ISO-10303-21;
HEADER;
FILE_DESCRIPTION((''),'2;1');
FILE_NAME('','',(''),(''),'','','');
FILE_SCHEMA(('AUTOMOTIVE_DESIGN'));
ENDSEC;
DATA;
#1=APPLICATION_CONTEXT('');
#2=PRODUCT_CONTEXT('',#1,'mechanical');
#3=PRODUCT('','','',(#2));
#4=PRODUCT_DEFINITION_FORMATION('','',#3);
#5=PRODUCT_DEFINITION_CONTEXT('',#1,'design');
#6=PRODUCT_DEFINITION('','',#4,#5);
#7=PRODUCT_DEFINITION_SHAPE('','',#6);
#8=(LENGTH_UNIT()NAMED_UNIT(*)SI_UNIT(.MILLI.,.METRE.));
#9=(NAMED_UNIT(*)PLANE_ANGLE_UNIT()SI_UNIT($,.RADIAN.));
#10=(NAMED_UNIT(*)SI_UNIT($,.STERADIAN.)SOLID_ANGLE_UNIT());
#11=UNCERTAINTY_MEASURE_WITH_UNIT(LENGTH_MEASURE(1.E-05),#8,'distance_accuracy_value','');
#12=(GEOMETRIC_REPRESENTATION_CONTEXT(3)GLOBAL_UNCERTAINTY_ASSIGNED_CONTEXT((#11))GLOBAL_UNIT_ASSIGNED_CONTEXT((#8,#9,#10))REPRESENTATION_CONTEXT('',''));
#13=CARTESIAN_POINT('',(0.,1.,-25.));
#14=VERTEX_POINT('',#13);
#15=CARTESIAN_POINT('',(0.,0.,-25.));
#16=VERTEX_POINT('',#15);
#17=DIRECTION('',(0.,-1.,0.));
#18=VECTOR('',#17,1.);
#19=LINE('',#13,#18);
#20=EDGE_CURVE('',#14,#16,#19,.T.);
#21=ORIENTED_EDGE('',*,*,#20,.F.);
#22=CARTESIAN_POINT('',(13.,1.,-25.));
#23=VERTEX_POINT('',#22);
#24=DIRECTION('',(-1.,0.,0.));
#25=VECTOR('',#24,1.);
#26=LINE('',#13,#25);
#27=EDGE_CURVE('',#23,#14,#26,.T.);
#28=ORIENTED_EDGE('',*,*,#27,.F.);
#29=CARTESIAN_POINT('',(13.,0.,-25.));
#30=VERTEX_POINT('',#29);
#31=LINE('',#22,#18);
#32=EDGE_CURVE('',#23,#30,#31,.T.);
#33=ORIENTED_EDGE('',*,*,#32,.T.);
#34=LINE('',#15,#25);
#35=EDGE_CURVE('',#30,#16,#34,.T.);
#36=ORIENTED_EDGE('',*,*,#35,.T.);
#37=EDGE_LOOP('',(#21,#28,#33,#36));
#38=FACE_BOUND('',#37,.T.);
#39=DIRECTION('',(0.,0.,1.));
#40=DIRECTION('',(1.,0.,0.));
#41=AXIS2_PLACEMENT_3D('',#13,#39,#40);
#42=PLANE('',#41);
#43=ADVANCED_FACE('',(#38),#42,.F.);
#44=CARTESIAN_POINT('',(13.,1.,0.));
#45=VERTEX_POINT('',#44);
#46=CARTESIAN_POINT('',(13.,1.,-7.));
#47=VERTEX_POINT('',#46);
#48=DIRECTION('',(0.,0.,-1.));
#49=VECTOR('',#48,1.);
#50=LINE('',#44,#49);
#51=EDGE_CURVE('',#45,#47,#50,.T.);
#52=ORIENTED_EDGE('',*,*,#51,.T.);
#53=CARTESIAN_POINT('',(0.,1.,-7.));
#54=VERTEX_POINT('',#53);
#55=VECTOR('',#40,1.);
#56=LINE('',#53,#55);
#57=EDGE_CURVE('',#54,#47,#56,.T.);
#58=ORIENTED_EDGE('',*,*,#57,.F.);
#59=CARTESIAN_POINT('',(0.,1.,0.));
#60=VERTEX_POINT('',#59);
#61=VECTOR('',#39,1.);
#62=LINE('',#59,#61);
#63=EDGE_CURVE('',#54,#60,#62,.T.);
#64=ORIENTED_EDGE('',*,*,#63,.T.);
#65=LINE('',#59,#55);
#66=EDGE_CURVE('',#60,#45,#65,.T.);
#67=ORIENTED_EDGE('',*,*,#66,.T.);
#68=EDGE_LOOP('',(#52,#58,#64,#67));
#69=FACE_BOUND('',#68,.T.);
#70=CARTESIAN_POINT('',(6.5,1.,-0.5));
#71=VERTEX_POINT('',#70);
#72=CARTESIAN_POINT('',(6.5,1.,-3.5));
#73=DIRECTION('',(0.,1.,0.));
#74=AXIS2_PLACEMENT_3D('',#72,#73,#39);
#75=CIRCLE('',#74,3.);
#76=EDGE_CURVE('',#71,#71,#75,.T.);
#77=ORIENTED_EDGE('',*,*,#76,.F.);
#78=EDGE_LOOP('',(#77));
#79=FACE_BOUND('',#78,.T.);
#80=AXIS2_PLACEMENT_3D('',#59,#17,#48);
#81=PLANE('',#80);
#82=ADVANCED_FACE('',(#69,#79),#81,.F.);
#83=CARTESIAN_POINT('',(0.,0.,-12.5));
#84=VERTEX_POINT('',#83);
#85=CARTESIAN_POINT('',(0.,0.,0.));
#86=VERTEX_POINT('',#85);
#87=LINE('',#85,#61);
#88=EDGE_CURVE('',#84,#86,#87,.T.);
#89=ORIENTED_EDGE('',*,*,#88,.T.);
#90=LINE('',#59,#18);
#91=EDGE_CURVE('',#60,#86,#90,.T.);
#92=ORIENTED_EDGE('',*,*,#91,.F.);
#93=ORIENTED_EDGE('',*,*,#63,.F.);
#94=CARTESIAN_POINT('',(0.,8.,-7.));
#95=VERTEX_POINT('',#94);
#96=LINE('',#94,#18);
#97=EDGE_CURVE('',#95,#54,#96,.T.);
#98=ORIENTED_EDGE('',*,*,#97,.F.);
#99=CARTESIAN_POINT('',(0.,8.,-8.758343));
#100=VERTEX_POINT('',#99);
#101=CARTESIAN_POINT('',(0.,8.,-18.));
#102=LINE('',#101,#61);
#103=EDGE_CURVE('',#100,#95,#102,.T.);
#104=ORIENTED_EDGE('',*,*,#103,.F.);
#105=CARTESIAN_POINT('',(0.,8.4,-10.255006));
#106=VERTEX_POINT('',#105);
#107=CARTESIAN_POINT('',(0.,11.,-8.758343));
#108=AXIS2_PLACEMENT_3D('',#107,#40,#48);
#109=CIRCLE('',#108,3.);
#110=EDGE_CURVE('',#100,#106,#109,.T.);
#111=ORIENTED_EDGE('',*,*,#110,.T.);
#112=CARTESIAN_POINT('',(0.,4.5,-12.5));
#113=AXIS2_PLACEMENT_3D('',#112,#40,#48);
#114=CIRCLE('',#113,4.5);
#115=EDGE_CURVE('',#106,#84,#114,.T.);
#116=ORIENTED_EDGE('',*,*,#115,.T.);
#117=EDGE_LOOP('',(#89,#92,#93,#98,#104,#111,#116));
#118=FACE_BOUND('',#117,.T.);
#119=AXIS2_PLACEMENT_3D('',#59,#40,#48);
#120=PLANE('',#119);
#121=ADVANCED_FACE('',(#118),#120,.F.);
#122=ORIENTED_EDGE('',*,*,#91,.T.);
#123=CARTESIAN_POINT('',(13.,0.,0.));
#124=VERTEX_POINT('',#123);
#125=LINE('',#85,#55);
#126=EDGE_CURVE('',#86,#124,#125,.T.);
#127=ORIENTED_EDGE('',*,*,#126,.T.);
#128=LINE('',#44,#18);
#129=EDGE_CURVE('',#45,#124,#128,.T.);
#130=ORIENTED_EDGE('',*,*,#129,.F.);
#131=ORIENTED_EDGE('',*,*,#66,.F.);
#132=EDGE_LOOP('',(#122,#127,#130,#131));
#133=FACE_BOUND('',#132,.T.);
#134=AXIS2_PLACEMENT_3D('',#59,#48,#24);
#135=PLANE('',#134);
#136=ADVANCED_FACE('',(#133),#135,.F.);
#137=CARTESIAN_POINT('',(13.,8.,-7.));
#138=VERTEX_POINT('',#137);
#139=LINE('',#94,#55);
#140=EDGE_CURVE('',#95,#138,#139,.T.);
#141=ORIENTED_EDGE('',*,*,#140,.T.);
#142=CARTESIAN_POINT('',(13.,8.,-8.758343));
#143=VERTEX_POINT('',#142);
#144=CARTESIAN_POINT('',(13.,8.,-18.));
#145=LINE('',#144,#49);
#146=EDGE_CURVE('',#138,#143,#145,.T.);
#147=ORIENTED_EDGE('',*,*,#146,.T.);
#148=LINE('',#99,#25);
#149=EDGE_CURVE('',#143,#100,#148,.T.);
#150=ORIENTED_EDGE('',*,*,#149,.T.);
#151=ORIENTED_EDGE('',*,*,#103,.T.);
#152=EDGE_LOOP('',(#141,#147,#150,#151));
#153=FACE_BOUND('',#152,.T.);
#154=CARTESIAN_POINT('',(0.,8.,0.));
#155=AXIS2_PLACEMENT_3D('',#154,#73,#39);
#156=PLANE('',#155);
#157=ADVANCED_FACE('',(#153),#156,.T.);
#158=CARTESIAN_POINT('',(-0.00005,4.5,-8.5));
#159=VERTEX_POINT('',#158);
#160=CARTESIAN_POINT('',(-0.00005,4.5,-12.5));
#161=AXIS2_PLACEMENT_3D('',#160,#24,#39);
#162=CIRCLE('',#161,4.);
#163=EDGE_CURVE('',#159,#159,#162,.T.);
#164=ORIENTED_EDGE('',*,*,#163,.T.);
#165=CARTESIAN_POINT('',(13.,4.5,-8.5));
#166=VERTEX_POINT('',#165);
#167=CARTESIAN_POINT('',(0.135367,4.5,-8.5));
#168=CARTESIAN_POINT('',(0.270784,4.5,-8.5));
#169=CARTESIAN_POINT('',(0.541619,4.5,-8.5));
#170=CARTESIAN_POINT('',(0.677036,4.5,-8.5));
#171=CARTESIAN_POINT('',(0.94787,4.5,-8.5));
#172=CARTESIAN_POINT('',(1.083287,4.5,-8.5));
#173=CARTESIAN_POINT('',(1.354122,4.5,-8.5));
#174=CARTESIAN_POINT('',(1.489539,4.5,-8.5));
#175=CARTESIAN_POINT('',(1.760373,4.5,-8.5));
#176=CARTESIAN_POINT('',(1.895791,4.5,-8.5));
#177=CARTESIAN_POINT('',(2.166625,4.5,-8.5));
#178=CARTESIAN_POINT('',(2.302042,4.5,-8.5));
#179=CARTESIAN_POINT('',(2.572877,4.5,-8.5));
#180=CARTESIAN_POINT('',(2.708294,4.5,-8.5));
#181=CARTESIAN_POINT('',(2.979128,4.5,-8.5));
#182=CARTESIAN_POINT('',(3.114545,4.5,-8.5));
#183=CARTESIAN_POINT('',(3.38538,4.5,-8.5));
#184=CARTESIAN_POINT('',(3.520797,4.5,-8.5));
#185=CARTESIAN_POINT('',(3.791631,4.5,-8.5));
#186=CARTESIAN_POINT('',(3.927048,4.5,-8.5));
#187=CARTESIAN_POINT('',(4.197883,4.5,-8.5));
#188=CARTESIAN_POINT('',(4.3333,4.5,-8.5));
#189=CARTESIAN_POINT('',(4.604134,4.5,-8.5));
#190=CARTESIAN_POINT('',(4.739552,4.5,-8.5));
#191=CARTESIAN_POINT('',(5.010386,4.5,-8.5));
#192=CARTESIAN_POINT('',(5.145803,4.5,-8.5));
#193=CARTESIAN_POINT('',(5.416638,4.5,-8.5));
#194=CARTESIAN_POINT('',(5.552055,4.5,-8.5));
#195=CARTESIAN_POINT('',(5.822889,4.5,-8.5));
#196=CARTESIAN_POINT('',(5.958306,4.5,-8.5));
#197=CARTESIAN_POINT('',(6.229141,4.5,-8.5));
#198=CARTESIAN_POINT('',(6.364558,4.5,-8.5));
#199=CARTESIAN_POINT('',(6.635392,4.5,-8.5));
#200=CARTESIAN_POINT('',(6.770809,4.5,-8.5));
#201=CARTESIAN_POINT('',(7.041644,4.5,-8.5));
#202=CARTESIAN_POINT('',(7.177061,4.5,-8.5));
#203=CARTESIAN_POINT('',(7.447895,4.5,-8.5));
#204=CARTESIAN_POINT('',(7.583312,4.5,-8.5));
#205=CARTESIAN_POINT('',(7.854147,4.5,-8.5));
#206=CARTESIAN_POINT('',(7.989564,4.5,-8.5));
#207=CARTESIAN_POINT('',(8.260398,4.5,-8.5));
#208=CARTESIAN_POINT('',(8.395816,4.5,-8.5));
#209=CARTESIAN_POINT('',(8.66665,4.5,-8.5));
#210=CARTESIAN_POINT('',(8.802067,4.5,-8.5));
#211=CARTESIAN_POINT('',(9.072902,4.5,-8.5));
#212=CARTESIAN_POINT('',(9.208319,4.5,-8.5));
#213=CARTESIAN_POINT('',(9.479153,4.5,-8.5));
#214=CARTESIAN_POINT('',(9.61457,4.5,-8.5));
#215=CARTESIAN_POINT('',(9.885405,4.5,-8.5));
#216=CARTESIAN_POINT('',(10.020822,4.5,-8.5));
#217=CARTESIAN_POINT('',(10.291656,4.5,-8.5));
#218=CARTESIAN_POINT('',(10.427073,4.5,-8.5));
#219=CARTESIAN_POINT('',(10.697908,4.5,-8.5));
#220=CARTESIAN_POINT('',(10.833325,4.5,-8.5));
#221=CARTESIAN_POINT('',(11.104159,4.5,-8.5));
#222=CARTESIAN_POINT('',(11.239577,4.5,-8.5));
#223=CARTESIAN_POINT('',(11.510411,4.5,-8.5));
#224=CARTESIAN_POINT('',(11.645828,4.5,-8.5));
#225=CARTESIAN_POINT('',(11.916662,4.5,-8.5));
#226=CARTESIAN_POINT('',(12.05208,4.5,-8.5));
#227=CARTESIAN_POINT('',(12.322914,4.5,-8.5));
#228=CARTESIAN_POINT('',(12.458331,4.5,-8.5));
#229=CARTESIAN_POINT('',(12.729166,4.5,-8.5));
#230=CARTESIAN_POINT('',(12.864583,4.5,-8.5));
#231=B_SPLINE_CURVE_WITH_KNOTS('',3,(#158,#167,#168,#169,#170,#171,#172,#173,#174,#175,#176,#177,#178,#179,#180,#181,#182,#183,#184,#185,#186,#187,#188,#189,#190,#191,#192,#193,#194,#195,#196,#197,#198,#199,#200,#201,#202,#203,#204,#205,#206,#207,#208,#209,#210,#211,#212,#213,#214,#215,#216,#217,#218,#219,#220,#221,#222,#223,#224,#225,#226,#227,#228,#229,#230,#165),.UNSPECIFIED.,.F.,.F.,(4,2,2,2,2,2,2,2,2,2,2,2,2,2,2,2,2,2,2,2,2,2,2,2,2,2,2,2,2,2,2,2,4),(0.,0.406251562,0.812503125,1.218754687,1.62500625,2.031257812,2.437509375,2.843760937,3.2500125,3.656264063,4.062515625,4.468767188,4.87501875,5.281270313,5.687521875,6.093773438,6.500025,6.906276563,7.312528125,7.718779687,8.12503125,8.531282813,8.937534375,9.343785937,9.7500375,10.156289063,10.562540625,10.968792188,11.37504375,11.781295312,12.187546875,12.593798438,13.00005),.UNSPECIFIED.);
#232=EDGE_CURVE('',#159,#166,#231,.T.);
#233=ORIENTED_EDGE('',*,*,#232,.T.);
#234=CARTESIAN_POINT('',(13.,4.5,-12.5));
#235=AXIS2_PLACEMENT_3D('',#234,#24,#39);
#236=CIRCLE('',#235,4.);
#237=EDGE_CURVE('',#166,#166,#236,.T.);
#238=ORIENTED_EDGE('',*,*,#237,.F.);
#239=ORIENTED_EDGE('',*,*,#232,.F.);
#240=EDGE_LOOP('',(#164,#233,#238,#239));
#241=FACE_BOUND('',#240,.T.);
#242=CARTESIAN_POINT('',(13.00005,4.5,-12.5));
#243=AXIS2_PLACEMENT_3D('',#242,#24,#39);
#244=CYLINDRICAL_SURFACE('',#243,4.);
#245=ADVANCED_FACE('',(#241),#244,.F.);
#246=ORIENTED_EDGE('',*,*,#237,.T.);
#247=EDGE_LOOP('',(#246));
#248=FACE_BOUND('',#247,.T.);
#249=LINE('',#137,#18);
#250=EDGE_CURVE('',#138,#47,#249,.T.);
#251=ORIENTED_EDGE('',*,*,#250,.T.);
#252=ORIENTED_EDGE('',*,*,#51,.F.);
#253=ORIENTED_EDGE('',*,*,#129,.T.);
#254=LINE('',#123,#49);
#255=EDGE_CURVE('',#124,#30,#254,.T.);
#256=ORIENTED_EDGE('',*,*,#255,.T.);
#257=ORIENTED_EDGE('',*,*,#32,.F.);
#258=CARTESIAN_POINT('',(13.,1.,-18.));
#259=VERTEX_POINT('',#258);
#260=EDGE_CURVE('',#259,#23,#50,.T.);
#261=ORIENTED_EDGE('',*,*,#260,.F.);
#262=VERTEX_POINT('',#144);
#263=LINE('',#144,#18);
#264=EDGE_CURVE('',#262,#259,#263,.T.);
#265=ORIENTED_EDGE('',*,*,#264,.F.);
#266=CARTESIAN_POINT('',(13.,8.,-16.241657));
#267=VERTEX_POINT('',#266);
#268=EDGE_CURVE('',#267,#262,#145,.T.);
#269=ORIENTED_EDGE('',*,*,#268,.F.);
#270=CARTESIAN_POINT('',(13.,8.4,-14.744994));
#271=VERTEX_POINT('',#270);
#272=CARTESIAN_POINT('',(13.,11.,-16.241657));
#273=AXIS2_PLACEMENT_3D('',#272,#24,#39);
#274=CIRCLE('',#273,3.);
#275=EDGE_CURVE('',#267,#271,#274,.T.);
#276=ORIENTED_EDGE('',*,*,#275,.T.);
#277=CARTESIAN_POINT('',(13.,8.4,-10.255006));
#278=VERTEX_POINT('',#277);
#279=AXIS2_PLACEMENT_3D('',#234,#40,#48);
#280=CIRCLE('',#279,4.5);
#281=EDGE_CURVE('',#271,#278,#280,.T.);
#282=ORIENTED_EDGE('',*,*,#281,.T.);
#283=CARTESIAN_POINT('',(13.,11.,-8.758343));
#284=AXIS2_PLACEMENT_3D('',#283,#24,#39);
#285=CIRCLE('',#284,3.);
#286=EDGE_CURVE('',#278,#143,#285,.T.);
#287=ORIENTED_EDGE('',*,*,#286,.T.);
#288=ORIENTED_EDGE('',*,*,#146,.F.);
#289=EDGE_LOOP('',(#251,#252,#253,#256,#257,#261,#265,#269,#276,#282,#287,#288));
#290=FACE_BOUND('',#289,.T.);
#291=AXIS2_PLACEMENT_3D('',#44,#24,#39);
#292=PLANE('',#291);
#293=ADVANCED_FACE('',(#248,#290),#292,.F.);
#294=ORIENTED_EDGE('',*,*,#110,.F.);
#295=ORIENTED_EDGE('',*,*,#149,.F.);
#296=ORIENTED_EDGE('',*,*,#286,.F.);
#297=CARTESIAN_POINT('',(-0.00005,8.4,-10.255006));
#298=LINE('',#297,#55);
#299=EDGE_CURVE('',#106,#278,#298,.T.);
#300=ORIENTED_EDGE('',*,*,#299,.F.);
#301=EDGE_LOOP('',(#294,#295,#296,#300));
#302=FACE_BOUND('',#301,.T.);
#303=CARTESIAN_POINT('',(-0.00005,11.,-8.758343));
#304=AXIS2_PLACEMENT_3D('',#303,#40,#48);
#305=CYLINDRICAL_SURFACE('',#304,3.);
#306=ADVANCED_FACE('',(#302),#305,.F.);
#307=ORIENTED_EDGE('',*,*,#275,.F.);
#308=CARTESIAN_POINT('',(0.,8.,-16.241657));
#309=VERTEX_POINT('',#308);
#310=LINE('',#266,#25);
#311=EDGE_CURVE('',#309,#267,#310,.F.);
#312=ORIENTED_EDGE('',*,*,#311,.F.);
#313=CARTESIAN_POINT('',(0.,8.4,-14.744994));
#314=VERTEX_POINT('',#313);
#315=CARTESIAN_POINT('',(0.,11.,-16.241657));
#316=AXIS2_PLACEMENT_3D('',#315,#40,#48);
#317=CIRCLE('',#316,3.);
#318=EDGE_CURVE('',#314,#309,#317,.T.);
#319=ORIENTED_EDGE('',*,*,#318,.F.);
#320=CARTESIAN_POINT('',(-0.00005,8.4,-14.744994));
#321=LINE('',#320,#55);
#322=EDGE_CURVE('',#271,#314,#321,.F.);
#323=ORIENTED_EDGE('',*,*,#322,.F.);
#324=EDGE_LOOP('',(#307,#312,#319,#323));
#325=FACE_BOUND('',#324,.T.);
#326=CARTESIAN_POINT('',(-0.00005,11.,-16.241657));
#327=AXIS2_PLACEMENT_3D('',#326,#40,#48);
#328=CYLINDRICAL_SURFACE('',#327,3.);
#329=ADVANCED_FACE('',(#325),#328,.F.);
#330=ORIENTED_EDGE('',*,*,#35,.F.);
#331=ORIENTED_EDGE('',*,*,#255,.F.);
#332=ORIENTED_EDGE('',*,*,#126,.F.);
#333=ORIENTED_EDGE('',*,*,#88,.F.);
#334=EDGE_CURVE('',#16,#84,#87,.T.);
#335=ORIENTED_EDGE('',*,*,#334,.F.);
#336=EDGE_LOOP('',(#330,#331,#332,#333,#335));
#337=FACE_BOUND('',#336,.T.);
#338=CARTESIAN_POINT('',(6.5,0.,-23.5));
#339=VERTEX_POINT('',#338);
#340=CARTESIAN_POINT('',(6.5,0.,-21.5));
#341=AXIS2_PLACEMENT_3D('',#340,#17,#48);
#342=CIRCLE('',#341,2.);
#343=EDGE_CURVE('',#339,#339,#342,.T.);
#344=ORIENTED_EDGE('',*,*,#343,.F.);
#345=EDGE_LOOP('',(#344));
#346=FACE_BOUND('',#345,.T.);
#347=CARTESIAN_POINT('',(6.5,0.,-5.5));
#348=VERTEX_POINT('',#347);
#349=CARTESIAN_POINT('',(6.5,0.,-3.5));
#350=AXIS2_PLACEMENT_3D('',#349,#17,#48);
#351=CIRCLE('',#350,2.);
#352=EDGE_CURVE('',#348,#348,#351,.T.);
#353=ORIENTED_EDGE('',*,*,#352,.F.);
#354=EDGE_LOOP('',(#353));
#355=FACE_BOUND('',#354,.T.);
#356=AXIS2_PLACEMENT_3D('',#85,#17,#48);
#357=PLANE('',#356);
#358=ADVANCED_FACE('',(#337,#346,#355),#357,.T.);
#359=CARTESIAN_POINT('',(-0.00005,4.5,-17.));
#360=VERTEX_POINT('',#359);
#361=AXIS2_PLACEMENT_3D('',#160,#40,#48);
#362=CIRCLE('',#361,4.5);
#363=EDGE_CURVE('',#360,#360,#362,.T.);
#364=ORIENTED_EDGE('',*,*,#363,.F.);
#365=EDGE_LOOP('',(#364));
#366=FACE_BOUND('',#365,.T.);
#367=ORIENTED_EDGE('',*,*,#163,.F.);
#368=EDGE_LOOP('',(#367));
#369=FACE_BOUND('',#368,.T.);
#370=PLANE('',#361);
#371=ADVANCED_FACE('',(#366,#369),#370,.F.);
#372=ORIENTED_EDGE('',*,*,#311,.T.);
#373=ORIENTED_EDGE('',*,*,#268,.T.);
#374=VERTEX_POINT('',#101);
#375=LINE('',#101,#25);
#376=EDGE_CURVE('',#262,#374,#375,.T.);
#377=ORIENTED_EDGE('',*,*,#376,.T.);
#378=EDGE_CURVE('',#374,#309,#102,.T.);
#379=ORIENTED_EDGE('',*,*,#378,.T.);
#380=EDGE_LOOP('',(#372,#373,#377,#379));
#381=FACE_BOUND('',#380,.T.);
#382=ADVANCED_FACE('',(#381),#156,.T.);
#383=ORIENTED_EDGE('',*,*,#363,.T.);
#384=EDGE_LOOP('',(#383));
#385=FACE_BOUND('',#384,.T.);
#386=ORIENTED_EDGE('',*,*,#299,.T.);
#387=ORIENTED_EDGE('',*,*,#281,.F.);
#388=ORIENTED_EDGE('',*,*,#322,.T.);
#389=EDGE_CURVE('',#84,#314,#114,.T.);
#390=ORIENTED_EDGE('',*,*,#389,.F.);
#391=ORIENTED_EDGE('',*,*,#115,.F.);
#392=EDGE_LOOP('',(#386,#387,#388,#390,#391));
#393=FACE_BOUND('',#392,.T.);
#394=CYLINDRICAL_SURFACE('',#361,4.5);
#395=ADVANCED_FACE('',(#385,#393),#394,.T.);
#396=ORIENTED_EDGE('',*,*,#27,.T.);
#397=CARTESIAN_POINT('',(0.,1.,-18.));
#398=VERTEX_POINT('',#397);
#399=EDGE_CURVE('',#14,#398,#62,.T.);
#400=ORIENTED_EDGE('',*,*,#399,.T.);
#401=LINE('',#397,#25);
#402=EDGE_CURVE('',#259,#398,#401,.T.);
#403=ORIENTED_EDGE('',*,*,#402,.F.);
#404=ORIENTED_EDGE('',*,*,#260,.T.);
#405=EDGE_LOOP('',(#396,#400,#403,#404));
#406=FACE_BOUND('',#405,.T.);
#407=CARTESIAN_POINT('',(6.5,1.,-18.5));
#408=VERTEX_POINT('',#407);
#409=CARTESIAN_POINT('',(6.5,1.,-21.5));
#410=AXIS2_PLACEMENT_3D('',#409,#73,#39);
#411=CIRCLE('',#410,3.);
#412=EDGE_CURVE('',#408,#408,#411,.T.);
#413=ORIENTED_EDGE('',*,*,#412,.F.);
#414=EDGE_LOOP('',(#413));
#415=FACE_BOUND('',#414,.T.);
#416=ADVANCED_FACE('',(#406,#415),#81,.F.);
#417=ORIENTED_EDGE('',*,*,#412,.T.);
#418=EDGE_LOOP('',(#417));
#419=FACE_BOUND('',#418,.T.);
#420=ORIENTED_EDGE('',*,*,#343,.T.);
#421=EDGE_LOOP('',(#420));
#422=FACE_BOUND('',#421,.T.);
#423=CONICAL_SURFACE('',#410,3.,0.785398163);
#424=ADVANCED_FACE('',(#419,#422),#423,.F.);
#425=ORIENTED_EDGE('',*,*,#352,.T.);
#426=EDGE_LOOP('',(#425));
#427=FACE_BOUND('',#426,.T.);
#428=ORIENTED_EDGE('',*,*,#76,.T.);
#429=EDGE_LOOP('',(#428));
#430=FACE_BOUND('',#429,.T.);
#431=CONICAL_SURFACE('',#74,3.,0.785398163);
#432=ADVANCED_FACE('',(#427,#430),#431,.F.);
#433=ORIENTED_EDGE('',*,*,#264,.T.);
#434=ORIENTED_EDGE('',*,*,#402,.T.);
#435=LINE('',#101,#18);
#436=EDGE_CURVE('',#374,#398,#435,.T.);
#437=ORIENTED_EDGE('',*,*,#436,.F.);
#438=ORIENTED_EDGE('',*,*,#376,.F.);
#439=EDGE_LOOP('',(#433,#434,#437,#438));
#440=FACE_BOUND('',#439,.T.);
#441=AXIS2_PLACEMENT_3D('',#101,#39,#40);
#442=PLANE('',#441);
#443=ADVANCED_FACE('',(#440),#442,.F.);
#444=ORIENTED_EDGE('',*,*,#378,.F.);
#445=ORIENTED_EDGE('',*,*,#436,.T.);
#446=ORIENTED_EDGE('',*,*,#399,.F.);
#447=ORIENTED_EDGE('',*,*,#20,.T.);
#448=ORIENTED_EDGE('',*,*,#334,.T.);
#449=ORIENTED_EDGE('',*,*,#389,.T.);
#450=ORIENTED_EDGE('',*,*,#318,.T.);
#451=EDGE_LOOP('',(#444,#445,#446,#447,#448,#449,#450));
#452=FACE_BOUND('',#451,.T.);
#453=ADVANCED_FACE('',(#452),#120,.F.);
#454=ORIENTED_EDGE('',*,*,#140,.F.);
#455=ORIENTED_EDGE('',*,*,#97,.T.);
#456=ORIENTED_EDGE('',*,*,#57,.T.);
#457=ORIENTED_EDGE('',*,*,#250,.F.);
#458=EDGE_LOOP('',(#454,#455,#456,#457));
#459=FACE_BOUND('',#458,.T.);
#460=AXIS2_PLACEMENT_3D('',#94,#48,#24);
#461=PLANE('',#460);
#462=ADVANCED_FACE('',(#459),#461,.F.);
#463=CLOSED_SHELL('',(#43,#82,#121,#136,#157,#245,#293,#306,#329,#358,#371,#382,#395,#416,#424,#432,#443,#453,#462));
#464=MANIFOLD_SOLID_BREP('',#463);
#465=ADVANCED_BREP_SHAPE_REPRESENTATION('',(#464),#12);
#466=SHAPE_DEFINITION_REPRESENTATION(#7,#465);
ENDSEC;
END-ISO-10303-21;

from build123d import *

# Parameters (mm, degrees)
SKETCH1_W                                      = 13
SKETCH1_H                                      = 25
BOSS_EXTRUDE1_DEPTH                            = 1
SKETCH3_W                                      = 13
SKETCH3_H                                      = 11
BOSS_EXTRUDE2_DEPTH                            = 7
SKETCH4_R                                      = 4.5
BOSS_EXTRUDE3_DEPTH                            = 13
SKETCH6_R                                      = 4
CUT_EXTRUDE1_DEPTH                             = 30.58042089
FILLET1_R                                      = 3
CSK_FOR_M3_OVAL_HEAD_MACHINE_SCREW2_AT_2_COUNT = 2
CSK_FOR_M3_OVAL_HEAD_MACHINE_SCREW2_AT_2_PITCH = 18


with BuildPart() as part:
    # Sketch1 → Boss-Extrude1 (new body)
    with BuildSketch(Plane(origin=(0, 0, 0), x_dir=(1, 0, 0), z_dir=(0, 1, 0))):
        with Locations((6.5, 12.5)):
            Rectangle(SKETCH1_W, SKETCH1_H)
    extrude(amount=BOSS_EXTRUDE1_DEPTH)

    # Sketch3 → Boss-Extrude2 (add)
    with BuildSketch(Plane(origin=(0, 1, 0), x_dir=(1, 0, 0), z_dir=(0, 1, 0))):
        with Locations((6.5, 12.5)):
            Rectangle(SKETCH3_W, SKETCH3_H)
    extrude(amount=BOSS_EXTRUDE2_DEPTH)

    # Sketch4 → Boss-Extrude3 (add, through all)
    with BuildSketch(Plane(origin=(13, 0, 0), x_dir=(0, 0, -1), z_dir=(1, 0, 0))):
        with Locations((12.5, 4.5)):
            Circle(SKETCH4_R)
    extrude(amount=-BOSS_EXTRUDE3_DEPTH)

    # Sketch6 → Cut-Extrude1 (cut, through all)
    with BuildSketch(Plane.ZY.offset(5e-05)):
        with Locations((-12.5, 4.5)):
            Circle(SKETCH6_R)
    extrude(amount=-CUT_EXTRUDE1_DEPTH, mode=Mode.SUBTRACT)

    # Fillet1
    fillet1_edges = [part.edges().sort_by_distance(p)[0] for p in [
        (6.5, 8, -15.328427125),
        (6.5, 8, -9.671572875),
    ]]
    fillet(fillet1_edges, radius=FILLET1_R)

    # Sketch15 → CSK for M3 Oval Head Machine Screw2 (revolve, cut)
    with BuildSketch(Plane(origin=(6.5, 1, -3.5), x_dir=(0, 0, 1), z_dir=(1, 0, 0))):
        Polygon((0, 0), (0, 1), (1.75, 1), (1.75, 1.25), (3, 0), align=None)
    csk_for_m3_oval_head_machine_screw2 = revolve(axis=Axis((6.5, 7.35, -3.5), (0, -1, 0)), mode=Mode.SUBTRACT)

    # CSK for M3 Oval Head Machine Screw2 at 2: CSK for M3 Oval Head Machine Screw2 ×2
    with Locations(*[(0, 0, -i * CSK_FOR_M3_OVAL_HEAD_MACHINE_SCREW2_AT_2_PITCH) for i in range(1, CSK_FOR_M3_OVAL_HEAD_MACHINE_SCREW2_AT_2_COUNT)]):
        add(csk_for_m3_oval_head_machine_screw2, mode=Mode.SUBTRACT)


solid = part.part
